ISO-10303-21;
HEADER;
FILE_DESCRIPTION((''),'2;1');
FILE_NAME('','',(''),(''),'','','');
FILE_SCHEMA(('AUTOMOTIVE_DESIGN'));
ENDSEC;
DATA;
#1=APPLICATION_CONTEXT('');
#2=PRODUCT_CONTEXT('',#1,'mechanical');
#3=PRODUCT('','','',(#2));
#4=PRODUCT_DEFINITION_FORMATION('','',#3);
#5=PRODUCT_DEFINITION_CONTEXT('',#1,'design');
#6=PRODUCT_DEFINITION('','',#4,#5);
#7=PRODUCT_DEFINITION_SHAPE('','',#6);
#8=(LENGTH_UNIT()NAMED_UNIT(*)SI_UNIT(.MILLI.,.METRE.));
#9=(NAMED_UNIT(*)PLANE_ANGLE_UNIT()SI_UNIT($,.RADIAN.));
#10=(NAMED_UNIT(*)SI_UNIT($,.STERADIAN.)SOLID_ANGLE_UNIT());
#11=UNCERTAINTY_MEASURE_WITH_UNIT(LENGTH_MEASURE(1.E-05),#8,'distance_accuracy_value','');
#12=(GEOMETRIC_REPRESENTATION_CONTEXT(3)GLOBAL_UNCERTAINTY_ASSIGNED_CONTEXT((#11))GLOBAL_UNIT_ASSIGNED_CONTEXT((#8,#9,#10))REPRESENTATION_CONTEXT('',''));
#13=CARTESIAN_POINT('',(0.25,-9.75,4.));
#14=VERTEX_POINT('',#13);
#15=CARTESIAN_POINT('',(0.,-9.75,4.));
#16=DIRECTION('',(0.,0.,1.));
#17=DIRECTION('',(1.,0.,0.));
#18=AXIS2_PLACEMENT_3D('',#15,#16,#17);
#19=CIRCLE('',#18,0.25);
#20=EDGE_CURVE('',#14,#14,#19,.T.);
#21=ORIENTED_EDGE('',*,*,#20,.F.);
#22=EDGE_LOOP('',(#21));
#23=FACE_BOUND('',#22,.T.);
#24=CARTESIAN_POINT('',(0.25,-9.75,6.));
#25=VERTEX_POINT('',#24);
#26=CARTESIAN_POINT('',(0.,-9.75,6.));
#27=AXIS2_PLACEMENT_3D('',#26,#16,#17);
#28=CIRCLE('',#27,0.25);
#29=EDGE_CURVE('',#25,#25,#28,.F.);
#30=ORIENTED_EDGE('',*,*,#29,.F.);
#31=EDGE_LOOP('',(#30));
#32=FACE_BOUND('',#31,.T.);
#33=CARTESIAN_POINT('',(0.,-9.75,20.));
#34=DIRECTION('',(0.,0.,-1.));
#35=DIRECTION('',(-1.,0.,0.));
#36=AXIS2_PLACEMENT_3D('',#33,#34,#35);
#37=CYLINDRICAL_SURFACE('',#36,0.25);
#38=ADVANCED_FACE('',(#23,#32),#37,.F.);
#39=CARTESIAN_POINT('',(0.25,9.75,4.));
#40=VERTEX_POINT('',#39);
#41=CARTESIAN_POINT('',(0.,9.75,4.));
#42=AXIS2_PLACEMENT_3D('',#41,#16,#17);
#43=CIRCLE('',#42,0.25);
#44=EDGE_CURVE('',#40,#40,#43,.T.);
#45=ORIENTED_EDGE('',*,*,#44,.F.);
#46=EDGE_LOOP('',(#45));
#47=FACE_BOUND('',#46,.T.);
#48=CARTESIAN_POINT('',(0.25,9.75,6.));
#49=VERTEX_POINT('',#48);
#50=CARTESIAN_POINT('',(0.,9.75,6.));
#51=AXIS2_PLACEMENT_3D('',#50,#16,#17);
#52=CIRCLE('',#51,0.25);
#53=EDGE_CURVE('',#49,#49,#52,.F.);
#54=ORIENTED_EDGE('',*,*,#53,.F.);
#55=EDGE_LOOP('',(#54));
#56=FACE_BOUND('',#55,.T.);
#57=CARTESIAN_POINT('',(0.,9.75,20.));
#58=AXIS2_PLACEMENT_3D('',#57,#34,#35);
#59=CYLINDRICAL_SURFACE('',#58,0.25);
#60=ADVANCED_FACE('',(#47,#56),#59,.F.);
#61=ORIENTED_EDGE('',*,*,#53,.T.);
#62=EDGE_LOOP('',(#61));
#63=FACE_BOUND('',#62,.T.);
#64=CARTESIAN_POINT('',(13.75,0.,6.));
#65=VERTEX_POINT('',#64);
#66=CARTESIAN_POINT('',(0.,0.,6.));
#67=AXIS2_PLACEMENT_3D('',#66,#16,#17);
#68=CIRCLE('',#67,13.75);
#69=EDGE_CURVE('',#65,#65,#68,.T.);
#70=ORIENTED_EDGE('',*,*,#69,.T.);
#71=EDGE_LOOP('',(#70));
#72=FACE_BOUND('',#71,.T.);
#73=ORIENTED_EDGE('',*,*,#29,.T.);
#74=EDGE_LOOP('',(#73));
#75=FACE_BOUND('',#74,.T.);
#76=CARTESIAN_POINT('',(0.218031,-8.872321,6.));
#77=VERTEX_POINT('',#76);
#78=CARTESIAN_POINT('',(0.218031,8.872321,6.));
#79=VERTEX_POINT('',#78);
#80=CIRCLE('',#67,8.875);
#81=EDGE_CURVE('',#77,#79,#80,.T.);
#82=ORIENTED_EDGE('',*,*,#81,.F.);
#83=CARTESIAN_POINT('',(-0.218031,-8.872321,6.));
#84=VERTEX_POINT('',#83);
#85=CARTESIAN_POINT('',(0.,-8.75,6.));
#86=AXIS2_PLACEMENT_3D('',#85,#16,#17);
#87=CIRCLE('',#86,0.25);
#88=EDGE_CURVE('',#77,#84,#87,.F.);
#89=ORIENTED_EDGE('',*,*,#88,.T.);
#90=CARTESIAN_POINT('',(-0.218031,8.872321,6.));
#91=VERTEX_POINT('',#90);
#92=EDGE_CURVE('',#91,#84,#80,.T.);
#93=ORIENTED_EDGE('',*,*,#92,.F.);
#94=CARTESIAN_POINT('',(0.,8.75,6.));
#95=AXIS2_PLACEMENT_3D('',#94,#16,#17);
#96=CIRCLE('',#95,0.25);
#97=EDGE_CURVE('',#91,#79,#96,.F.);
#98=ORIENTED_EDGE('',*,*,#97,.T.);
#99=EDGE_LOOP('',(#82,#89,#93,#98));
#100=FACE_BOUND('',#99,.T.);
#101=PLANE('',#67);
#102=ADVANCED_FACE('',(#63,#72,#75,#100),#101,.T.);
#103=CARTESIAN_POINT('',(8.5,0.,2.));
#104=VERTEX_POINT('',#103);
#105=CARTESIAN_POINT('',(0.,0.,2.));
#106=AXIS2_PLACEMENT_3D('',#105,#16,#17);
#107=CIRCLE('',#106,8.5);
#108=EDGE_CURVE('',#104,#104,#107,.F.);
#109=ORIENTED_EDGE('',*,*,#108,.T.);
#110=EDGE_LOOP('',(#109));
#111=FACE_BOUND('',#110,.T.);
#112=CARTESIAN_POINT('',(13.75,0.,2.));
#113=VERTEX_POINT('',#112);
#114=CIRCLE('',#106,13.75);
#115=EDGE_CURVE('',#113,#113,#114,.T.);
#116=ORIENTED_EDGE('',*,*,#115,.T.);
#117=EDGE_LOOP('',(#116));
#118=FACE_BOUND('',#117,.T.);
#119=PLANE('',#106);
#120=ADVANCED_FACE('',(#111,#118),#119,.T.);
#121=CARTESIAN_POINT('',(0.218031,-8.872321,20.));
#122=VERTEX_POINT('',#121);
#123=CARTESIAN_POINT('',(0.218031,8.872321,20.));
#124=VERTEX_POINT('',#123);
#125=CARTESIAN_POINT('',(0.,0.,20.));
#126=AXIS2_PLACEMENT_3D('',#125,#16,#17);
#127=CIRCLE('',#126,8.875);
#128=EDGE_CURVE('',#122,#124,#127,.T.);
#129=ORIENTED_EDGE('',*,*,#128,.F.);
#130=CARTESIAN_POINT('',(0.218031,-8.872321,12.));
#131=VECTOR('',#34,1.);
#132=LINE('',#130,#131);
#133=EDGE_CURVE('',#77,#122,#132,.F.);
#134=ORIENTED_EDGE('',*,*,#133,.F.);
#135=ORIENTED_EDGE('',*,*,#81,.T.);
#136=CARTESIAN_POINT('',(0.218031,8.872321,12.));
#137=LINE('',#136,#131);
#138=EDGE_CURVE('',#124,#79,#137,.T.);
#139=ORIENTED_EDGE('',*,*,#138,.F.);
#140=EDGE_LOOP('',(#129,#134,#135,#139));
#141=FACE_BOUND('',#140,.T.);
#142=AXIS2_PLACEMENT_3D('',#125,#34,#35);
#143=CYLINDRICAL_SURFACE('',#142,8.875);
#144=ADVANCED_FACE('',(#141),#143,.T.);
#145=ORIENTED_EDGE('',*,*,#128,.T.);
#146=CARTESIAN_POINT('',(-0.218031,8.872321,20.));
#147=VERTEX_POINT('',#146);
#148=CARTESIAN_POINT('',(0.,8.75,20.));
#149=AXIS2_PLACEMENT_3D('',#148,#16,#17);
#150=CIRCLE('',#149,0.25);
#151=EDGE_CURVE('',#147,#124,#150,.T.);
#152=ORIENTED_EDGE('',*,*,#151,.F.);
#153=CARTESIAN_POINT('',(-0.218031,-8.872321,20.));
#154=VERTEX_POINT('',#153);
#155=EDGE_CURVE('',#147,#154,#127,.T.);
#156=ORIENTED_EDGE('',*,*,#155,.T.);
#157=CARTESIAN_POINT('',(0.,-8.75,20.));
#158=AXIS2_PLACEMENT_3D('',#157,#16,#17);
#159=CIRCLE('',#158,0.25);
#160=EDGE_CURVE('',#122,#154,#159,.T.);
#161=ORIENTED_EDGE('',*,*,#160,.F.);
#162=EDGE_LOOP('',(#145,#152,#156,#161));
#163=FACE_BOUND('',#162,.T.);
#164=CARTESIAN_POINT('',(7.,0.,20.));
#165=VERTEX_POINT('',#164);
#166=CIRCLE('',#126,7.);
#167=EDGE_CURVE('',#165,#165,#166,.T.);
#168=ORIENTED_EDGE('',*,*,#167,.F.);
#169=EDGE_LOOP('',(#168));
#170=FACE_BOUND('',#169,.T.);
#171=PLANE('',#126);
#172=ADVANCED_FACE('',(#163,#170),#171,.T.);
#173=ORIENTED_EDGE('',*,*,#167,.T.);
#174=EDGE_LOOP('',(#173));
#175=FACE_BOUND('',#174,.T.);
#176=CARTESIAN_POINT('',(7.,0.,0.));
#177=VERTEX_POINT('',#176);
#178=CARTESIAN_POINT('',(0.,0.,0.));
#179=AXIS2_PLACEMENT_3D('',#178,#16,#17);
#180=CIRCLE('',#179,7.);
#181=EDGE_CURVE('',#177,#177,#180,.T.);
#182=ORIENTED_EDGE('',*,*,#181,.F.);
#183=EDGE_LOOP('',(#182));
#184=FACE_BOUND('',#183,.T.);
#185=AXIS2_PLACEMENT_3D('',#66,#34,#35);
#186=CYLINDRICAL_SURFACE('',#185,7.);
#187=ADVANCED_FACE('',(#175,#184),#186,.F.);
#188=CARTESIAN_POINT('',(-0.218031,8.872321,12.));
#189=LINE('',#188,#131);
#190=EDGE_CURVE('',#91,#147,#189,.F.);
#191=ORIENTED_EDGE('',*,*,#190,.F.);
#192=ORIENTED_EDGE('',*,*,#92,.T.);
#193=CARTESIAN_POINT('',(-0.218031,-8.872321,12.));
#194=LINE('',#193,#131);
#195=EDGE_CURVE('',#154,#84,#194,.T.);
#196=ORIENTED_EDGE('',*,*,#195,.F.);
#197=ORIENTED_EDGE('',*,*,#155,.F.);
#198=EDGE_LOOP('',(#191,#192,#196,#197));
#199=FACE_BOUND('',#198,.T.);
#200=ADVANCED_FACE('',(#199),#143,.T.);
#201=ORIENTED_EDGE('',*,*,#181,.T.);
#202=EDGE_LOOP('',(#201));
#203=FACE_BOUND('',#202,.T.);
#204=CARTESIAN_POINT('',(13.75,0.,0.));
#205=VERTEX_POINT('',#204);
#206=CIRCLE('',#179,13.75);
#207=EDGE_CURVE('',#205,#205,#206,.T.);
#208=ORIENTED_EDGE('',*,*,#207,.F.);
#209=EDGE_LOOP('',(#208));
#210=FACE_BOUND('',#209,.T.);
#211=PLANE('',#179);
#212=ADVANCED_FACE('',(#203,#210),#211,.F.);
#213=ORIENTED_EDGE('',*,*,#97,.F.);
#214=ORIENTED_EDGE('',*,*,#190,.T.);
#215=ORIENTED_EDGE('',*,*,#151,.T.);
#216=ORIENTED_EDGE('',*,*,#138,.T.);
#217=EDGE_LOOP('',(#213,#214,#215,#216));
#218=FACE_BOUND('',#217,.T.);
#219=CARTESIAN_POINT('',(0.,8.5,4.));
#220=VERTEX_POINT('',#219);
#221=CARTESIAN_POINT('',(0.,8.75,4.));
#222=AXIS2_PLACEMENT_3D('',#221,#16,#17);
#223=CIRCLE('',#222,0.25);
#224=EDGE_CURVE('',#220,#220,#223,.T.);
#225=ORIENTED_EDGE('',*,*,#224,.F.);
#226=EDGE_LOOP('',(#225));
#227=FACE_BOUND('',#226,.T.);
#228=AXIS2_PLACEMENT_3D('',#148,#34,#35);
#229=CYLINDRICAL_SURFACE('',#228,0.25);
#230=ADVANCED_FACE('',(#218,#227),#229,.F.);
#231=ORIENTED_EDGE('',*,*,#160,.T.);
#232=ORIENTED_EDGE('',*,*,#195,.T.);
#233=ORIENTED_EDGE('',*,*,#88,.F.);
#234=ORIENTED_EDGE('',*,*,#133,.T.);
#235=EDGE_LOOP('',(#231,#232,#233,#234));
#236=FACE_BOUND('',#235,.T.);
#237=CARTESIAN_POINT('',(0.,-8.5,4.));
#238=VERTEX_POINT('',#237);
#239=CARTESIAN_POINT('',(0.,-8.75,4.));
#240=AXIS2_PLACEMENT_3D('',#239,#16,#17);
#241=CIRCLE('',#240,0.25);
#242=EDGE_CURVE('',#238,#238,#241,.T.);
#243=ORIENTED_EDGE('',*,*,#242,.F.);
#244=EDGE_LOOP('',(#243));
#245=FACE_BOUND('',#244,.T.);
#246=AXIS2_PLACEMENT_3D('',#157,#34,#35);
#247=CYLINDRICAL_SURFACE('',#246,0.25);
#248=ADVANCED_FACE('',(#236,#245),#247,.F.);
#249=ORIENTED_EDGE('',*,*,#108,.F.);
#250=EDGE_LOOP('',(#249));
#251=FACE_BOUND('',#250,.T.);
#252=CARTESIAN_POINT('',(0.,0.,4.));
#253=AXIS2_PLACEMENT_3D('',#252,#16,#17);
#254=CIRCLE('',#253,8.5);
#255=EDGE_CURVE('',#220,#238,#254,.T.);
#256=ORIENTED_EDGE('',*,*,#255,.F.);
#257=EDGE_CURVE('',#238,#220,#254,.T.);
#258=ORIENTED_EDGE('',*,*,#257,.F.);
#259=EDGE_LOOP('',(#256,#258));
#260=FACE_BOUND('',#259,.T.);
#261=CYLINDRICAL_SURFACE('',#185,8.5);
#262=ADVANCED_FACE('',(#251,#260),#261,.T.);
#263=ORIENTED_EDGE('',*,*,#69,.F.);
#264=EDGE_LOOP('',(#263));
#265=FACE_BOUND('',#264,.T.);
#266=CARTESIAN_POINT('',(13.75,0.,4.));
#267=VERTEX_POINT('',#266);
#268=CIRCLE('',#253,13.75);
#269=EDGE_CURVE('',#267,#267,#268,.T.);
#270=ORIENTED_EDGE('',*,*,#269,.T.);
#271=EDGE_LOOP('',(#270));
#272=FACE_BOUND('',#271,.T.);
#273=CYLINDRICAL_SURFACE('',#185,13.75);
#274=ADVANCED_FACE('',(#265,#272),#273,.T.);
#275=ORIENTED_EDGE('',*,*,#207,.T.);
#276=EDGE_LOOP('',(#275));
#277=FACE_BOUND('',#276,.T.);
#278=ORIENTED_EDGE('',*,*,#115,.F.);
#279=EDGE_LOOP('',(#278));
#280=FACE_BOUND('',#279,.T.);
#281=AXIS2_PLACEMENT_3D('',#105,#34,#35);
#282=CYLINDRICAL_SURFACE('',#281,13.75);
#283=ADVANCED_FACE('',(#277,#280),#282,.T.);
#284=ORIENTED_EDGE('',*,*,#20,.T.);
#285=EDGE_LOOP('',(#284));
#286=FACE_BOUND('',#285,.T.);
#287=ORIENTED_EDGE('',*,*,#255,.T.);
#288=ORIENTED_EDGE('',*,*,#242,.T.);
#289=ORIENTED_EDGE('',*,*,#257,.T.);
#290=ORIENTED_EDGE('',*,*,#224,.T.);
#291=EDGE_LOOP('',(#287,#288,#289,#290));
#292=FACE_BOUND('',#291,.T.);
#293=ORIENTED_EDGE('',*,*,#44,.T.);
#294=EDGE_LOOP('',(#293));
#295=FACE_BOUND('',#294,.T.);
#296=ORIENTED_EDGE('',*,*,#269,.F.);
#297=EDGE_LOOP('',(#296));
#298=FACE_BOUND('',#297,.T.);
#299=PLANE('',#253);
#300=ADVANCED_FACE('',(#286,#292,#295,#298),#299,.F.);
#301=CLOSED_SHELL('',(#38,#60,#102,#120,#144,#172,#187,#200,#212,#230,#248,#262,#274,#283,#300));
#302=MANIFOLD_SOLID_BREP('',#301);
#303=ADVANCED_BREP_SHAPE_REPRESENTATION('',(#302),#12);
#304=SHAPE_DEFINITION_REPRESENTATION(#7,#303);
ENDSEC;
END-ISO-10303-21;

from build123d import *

# Parameters (mm, degrees)
SKETCH1_R           = 13.75
BOSS_EXTRUDE1_DEPTH = 2
SKETCH2_R           = 8.5
BOSS_EXTRUDE2_DEPTH = 6
BOSS_EXTRUDE3_START = 4
SKETCH3_R           = 13.75
BOSS_EXTRUDE3_DEPTH = 2
SKETCH5_R           = 7
CUT_EXTRUDE2_DEPTH  = 21.350061425
BOSS_EXTRUDE4_START = 6
SKETCH6_R           = 8.875
SKETCH6_R_2         = 7
BOSS_EXTRUDE4_DEPTH = 14
CUT_EXTRUDE3_START  = 4
SKETCH9_R           = 0.25
CUT_EXTRUDE3_DEPTH  = 24.894892006


with BuildPart() as part:
    # Sketch1 → Boss-Extrude1 (new body)
    with BuildSketch(Plane.XY):
        Circle(SKETCH1_R)
    extrude(amount=BOSS_EXTRUDE1_DEPTH)

    # Sketch2 → Boss-Extrude2 (add)
    with BuildSketch(Plane.XY):
        Circle(SKETCH2_R)
    extrude(amount=BOSS_EXTRUDE2_DEPTH)

    # Sketch3 → Boss-Extrude3 (add)
    with BuildSketch(Plane.XY.offset(BOSS_EXTRUDE3_START)):
        Circle(SKETCH3_R)
    extrude(amount=BOSS_EXTRUDE3_DEPTH)

    # Sketch5 → Cut-Extrude2 (cut, through all)
    with BuildSketch(Plane.XY):
        Circle(SKETCH5_R)
    extrude(amount=CUT_EXTRUDE2_DEPTH, mode=Mode.SUBTRACT)

    # Sketch6 → Boss-Extrude4 (add)
    with BuildSketch(Plane.XY.offset(BOSS_EXTRUDE4_START)):
        Circle(SKETCH6_R)
        Circle(SKETCH6_R_2, mode=Mode.SUBTRACT)
    extrude(amount=BOSS_EXTRUDE4_DEPTH)

    # Sketch9 → Cut-Extrude3 (cut, through all)
    with BuildSketch(Plane.XY.offset(CUT_EXTRUDE3_START)):
        with Locations((0, 9.75)):
            Circle(SKETCH9_R)
        with Locations((0, -9.75)):
            Circle(SKETCH9_R)
        with Locations(Location((0, 8.75, 0), (0, 0, 150.706355545))):
            Circle(SKETCH9_R)
        with Locations(Location((0, -8.75, 0), (0, 0, 209.293644455))):
            Circle(SKETCH9_R)
    extrude(amount=CUT_EXTRUDE3_DEPTH, mode=Mode.SUBTRACT)


solid = part.part
